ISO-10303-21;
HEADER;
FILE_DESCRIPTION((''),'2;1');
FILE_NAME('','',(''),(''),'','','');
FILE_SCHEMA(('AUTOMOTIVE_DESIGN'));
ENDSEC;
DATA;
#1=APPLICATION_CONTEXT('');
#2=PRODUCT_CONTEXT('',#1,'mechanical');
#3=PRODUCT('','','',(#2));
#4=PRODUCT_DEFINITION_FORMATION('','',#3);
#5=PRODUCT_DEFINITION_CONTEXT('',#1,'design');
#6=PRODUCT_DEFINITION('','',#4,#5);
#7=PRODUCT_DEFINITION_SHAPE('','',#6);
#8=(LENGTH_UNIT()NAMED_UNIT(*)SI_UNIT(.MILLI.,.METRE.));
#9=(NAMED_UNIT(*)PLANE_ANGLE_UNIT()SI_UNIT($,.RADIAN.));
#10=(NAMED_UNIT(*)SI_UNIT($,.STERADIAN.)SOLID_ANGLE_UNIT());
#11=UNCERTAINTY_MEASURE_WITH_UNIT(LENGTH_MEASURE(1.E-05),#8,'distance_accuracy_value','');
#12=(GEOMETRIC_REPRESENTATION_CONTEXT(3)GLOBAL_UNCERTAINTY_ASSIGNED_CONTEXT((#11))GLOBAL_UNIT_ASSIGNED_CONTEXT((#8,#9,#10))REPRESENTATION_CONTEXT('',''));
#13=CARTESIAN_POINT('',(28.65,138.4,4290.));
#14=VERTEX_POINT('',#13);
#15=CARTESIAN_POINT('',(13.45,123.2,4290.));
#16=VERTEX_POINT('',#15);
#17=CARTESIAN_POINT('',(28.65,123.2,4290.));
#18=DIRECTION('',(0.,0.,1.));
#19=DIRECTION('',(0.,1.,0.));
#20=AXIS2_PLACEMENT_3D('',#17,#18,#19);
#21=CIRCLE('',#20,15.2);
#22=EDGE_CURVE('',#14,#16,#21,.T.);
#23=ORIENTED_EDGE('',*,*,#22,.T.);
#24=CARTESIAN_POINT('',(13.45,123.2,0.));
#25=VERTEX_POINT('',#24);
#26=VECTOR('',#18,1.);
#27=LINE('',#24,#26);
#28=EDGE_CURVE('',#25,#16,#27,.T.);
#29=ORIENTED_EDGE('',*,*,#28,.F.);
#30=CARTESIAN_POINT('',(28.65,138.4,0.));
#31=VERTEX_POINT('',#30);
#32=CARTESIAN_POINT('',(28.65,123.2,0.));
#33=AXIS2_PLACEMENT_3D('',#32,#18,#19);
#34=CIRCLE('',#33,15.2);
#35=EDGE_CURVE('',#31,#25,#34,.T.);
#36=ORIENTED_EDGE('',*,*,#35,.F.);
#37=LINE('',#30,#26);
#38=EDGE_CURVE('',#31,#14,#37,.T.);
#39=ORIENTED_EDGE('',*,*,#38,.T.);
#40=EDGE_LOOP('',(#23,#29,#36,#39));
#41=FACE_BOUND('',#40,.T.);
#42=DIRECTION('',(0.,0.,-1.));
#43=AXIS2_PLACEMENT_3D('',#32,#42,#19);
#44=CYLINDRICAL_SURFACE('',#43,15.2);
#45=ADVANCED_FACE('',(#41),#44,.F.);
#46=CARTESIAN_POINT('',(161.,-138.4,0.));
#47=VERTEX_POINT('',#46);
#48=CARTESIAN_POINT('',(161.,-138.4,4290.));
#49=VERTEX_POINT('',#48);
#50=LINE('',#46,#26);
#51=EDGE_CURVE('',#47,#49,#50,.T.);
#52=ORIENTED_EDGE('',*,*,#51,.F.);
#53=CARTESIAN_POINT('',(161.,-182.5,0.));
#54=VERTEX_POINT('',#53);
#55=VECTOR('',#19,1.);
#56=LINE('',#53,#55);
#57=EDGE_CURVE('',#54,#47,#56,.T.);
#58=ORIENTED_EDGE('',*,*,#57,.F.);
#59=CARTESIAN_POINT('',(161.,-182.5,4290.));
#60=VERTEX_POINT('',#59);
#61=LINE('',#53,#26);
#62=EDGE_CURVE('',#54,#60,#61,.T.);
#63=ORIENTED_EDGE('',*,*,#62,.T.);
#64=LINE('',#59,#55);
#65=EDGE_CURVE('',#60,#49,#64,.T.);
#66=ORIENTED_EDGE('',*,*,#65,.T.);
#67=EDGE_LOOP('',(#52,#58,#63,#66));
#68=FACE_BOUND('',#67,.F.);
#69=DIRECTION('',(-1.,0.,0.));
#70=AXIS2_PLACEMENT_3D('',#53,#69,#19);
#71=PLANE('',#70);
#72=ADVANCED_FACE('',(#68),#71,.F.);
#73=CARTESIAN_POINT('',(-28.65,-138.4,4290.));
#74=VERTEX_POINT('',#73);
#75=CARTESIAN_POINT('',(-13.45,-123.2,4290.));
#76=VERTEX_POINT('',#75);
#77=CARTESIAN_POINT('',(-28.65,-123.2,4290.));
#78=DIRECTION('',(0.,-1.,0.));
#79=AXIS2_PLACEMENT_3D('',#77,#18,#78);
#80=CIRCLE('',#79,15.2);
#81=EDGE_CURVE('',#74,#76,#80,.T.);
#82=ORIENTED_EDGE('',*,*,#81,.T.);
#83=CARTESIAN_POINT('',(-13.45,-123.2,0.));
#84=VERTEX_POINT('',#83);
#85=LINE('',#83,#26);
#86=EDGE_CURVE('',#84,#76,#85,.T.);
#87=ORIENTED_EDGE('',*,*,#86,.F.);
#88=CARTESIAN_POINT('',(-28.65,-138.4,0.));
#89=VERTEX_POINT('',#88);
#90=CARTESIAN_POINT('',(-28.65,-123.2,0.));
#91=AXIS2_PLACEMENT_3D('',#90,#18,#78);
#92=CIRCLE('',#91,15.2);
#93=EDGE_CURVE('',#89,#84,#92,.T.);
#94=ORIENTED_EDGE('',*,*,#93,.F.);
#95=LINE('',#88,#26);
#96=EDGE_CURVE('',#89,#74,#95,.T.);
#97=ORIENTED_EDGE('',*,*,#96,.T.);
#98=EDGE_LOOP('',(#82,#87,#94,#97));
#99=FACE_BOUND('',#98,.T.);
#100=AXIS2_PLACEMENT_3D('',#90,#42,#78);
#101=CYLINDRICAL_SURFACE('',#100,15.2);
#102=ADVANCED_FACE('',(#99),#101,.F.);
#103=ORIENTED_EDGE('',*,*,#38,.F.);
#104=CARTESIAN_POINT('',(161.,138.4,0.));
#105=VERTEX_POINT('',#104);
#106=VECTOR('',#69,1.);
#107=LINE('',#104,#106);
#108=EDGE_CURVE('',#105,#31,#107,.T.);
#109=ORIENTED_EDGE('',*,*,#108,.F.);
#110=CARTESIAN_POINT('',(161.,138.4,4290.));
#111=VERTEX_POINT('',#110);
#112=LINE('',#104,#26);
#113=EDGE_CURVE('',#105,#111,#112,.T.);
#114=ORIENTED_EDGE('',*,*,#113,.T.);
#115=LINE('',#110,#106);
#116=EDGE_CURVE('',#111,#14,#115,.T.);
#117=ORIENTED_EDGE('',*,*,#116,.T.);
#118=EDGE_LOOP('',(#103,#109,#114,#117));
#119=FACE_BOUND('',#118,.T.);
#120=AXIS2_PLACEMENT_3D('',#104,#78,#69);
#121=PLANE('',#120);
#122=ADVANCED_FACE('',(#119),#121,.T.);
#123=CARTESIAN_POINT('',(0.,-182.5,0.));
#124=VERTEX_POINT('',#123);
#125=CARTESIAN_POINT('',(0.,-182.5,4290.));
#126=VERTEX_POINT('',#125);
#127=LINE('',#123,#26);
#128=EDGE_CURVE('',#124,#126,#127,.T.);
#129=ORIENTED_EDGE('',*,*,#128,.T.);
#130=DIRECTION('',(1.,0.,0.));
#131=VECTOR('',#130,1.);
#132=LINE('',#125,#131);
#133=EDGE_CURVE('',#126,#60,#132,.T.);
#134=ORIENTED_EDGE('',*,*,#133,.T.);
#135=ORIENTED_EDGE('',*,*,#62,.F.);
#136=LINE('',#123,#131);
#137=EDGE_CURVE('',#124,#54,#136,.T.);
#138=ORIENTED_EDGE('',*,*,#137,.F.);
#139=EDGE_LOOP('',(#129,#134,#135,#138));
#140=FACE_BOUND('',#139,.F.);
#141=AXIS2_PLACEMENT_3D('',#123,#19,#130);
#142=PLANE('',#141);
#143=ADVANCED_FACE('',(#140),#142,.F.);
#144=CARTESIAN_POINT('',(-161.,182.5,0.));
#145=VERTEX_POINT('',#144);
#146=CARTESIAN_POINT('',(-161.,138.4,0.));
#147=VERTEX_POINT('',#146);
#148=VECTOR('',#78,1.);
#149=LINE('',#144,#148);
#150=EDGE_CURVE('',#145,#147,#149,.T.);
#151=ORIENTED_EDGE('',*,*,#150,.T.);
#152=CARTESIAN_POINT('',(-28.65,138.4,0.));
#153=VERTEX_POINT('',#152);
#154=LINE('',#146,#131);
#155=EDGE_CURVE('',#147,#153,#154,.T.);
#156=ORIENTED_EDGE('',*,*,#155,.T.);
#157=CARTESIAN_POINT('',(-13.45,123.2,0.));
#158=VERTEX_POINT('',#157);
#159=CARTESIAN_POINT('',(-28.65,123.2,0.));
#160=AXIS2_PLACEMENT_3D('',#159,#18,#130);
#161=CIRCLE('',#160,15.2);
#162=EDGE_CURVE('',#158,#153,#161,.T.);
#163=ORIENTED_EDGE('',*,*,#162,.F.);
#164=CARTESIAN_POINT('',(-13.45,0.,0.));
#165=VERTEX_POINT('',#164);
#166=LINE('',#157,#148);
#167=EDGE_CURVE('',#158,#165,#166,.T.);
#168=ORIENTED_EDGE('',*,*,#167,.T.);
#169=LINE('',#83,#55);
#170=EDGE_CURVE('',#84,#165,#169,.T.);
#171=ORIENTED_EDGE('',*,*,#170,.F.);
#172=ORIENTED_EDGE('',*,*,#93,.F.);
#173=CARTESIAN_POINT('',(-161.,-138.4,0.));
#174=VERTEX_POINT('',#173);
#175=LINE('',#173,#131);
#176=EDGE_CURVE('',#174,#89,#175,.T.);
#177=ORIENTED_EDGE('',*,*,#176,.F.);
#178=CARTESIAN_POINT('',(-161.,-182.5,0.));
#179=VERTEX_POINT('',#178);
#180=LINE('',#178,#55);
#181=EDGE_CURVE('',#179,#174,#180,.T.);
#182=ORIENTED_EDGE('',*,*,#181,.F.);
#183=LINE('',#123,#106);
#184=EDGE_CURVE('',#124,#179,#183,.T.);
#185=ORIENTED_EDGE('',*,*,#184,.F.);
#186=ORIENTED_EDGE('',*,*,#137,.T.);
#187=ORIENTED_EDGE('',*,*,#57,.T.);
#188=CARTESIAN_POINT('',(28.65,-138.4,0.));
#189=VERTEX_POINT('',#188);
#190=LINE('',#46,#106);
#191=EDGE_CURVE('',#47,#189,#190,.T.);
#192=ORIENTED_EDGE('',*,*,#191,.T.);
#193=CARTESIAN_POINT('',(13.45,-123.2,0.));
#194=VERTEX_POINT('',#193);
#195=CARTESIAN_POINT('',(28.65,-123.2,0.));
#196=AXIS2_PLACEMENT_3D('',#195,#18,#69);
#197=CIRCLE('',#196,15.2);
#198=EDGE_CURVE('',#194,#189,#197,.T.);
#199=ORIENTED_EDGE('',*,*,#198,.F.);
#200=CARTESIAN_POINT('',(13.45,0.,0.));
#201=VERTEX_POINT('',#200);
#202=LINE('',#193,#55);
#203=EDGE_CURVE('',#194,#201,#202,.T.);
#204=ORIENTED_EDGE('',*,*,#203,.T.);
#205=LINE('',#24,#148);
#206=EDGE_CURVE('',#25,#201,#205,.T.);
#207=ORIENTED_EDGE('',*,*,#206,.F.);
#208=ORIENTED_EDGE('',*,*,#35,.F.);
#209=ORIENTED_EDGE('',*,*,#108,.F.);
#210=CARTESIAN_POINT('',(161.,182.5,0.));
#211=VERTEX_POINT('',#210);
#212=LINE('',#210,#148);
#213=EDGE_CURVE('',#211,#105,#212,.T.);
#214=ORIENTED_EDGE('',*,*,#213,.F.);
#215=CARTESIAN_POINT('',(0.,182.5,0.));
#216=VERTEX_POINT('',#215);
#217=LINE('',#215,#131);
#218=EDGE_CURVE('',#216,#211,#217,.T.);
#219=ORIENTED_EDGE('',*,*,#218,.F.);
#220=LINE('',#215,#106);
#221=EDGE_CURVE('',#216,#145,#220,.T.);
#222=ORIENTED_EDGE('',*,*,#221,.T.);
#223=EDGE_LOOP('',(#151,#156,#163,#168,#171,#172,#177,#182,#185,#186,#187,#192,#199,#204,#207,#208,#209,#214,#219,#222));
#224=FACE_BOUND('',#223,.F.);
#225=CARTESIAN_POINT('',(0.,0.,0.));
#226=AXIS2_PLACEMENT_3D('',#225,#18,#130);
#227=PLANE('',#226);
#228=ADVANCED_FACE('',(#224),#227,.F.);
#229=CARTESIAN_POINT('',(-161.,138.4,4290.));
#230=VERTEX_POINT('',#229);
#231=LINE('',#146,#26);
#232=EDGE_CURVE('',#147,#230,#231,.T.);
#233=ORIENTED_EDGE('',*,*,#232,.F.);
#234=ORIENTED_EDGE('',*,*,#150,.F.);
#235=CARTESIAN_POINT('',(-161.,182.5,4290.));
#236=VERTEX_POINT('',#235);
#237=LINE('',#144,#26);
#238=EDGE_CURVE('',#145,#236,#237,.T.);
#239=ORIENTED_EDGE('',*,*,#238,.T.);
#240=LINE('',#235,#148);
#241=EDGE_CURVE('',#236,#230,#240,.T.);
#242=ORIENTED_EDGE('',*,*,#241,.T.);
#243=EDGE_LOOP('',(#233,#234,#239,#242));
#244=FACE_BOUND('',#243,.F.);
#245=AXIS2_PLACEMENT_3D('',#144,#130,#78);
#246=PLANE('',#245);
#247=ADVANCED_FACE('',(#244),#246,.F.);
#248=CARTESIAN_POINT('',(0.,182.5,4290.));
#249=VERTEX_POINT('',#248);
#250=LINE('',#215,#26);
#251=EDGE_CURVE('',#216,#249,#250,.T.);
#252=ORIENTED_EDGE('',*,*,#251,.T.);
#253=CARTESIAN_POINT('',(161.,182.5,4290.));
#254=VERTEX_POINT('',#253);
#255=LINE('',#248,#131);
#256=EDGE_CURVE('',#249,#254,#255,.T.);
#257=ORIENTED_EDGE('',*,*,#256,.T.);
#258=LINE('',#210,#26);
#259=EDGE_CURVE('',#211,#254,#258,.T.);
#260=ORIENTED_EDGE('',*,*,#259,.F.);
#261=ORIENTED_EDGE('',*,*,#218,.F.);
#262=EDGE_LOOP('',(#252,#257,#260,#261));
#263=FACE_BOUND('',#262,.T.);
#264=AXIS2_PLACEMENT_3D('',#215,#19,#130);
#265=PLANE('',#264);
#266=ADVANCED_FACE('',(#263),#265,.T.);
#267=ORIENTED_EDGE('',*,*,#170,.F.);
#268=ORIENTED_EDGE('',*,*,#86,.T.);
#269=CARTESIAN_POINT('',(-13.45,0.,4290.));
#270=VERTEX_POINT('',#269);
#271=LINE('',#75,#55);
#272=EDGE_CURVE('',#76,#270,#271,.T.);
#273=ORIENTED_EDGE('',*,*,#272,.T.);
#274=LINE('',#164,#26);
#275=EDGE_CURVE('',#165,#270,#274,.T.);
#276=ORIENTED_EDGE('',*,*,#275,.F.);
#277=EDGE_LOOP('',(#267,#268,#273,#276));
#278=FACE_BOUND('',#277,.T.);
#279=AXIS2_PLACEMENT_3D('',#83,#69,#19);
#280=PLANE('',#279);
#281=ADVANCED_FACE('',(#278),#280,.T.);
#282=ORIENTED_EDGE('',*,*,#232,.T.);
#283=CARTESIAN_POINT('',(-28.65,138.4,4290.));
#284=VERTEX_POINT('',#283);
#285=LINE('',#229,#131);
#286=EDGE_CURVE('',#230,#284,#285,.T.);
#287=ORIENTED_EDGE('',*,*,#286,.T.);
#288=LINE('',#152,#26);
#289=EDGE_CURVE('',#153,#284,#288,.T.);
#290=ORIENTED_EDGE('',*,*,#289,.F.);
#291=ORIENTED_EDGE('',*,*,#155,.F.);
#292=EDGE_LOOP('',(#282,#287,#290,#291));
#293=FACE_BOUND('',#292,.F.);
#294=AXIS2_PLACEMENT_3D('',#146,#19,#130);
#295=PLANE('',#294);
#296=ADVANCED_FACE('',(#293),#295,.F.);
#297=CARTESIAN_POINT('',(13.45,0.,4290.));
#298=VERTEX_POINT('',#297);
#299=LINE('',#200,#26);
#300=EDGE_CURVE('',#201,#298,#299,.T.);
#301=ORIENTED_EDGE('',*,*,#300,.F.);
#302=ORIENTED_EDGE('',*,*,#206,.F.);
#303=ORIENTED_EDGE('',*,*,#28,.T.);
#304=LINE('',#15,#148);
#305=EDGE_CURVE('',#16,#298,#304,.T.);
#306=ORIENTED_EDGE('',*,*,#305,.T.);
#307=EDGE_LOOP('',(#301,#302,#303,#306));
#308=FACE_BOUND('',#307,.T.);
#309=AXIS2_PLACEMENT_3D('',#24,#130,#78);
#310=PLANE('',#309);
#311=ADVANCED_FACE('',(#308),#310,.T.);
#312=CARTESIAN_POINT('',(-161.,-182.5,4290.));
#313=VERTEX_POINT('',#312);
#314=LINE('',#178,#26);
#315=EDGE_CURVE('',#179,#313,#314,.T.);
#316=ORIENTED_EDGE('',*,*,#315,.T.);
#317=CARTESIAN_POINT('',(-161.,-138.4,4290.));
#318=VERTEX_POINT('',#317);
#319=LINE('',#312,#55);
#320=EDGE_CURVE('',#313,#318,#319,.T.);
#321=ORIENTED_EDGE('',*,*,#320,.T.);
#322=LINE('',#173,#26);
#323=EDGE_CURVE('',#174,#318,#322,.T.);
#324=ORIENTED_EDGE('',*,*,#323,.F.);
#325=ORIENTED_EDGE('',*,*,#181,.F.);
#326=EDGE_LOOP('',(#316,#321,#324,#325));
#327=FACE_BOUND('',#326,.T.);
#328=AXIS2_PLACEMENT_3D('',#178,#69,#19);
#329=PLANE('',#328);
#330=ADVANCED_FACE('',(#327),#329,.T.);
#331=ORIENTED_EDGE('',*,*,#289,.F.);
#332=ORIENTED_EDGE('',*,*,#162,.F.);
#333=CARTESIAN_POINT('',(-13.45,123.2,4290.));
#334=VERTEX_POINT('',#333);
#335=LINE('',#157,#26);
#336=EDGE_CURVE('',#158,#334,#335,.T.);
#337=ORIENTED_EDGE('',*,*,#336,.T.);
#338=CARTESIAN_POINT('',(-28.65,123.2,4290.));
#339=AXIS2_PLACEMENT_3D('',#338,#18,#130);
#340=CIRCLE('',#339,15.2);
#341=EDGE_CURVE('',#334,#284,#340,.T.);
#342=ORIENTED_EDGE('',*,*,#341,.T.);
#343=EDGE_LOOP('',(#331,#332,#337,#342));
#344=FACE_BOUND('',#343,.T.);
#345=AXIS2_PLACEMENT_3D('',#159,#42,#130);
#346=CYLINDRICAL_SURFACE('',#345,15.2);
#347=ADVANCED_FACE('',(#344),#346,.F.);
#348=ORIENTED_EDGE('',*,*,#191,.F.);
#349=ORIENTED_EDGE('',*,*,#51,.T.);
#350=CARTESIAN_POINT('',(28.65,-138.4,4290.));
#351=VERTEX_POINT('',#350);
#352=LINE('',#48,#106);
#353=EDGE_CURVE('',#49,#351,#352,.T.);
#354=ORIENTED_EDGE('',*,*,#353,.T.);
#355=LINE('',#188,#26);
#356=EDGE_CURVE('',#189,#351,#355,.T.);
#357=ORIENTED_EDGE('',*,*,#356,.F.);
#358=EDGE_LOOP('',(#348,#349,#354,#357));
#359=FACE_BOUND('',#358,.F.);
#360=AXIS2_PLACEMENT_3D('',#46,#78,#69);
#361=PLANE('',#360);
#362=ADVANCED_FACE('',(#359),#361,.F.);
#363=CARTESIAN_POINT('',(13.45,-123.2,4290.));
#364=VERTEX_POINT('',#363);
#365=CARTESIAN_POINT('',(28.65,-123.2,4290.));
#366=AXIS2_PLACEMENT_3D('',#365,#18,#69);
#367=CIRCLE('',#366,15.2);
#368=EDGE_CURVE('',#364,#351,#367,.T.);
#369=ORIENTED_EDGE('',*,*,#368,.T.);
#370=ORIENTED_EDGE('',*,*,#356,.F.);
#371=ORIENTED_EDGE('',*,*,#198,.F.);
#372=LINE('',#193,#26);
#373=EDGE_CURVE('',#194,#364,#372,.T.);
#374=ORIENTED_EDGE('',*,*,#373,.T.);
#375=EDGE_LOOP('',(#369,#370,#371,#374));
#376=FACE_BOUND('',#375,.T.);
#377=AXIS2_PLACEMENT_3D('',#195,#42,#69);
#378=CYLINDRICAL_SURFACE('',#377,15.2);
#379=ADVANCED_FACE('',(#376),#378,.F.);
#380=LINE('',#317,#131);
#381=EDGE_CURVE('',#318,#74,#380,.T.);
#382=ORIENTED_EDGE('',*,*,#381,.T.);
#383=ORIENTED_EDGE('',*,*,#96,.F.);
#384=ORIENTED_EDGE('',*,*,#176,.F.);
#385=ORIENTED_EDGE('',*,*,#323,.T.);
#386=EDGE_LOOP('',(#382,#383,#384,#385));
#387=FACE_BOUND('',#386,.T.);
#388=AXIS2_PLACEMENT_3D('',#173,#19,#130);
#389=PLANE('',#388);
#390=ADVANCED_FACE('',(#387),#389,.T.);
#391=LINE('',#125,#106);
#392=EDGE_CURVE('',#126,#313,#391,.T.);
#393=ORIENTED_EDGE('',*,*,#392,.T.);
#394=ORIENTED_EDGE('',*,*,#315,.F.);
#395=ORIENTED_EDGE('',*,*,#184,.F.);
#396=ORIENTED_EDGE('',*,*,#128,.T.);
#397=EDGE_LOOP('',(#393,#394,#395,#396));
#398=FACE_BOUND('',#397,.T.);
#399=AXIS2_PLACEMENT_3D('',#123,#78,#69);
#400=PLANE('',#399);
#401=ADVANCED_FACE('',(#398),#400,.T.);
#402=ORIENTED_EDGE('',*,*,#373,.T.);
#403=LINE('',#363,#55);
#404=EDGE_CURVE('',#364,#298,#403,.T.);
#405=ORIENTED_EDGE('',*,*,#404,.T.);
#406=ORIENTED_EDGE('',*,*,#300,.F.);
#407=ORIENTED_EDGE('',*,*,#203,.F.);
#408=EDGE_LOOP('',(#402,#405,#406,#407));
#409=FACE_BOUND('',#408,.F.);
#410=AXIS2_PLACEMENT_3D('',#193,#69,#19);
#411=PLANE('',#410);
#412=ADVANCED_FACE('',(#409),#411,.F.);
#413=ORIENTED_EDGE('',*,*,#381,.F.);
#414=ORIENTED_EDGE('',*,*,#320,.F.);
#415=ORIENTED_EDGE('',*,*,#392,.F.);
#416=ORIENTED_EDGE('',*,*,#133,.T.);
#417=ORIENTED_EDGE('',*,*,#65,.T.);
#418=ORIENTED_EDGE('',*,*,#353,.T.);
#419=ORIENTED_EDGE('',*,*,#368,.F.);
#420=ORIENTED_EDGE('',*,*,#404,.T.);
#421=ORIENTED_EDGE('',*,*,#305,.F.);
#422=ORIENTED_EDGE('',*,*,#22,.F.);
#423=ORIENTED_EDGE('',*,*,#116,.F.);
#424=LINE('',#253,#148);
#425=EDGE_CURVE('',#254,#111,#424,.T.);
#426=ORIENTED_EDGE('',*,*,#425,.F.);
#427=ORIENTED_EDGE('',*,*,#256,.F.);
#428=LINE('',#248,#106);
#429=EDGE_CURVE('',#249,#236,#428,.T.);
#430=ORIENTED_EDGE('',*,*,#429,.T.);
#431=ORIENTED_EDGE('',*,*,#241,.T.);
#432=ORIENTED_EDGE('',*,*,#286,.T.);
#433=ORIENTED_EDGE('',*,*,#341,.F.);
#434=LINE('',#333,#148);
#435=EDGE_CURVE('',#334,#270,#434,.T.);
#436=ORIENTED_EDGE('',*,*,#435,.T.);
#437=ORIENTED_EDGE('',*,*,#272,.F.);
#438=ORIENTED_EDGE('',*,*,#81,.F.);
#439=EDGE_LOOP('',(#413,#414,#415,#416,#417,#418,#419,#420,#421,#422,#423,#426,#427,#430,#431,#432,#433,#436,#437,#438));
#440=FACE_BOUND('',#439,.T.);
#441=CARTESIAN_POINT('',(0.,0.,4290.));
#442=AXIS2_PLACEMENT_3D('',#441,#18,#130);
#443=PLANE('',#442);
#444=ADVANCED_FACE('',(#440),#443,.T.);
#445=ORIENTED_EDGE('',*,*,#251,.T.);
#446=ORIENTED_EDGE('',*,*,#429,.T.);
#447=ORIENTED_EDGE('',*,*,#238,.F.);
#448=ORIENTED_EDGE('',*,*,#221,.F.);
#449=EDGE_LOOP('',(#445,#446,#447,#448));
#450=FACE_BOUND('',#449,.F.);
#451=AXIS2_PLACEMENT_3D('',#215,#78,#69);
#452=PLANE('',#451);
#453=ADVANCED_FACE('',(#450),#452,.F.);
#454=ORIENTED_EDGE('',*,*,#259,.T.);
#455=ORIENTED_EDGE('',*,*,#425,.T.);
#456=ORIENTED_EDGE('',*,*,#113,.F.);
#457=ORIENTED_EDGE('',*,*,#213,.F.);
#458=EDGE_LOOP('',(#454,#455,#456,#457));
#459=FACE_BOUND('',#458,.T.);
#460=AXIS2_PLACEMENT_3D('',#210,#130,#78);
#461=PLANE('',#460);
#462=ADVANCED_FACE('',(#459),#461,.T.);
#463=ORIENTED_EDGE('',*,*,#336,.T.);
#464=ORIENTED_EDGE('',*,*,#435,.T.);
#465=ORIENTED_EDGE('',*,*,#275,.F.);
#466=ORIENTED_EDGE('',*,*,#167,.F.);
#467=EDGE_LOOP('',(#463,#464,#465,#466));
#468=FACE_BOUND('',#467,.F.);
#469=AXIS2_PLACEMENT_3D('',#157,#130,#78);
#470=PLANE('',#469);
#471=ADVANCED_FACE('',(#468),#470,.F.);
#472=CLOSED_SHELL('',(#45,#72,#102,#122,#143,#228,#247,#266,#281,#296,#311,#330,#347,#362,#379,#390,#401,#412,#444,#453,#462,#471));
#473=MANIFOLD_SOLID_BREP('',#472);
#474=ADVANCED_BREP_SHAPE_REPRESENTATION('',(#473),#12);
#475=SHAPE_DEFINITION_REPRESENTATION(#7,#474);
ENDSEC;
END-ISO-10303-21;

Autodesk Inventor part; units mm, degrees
ref_plane "YZ Plane" through (0, 0, 0) normal (1, 0, 0) x (0, 1, 0)
ref_plane "Start plane" through (0, 0, 0) normal (0, 0, 1) x (1, 0, 0)
ref_plane "End plane" through (0, 0, 4290) normal (0, 0, 1) x (1, 0, 0)
sketch "Sketch" plane through (0, 0, 0) normal (0, 0, 1) x (1, 0, 0)
  line L0 (-161, -182.5) -> (-161, -138.4)
  line L1 (-161, -138.4) -> (-28.65, -138.4)
  line L2 (-13.45, -123.2) -> (-13.45, 0)
  line L3 (-13.45, 0) -> (0, 0) construction
  line L4 (0, 0) -> (0, -182.5) construction
  line L5 (0, -182.5) -> (-161, -182.5)
  line L6 (-60, 0) -> (80, 0) construction
  line L7 (0, -60) -> (0, 80) construction
  line L8 (161, -182.5) -> (161, -138.4)
  line L9 (161, -138.4) -> (28.65, -138.4)
  line L10 (13.45, -123.2) -> (13.45, 0)
  line L11 (13.45, 0) -> (0, 0) construction
  line L12 (0, -182.5) -> (161, -182.5)
  line L13 (-161, 182.5) -> (-161, 138.4)
  line L14 (-161, 138.4) -> (-28.65, 138.4)
  line L15 (-13.45, 123.2) -> (-13.45, 0)
  line L16 (0, 182.5) -> (-161, 182.5)
  line L17 (161, 182.5) -> (161, 138.4)
  line L18 (161, 138.4) -> (28.65, 138.4)
  line L19 (0, 182.5) -> (161, 182.5)
  line L20 (13.45, 123.2) -> (13.45, 0)
  arc A0 (-13.45, 123.2) -> (-28.65, 138.4) centre (-28.65, 123.2) ccw
  arc A1 (28.65, 138.4) -> (13.45, 123.2) centre (28.65, 123.2) ccw
  arc A2 (13.45, -123.2) -> (28.65, -138.4) centre (28.65, -123.2) ccw
  arc A3 (-28.65, -138.4) -> (-13.45, -123.2) centre (-28.65, -123.2) ccw
  line L21 (0, 108) -> (0, -88) construction
  line L22 (-88, 0) -> (108, 0) construction
  point P0 (-13.45, -138.4)
  point P1 (13.45, -138.4)
  point P2 (-13.45, 138.4)
  point P3 (13.45, 138.4)
  dimension "d1" = 182.5
  dimension "d2" = 44.1
  dimension "d3" = 161
  dimension "d4" = 13.45
  dimension "d10" = 15.2
extrude "Body" add sketch "Sketch" along normal up to surface (4290 mm away) from surface at 0
sketch "Sketch4" plane through (0, 0, 0) normal (0, 0, 1) x (1, 0, 0)
  line L0 (0, 0) -> (10, 0)
ref_plane "Work Plane3" through (0, 0, 0) normal (0, -1, 0) x (1, 0, 0)
sketch "Sketch5" plane through (0, 0, 0) normal (0, -1, 0) x (1, 0, 0)
  line L0 (-2, 0) -> (12, 0) projected
  line L1 (-2, 4290) -> (12, 4290) projected
  dimension "d14" = 4290
equation "\"d1\" = 0.5 * G_H"
equation "\"d2\" = G_T1"
equation "\"d3\" = 0.5 * G_W"
equation "\"d4\" = 0.5 * G_T"
equation "\"d10\" = G_IR"
equation "\"d5\" = G_L"
equation "\"G_W\" = 322"
equation "\"G_H\" = 365"
equation "\"G_T\" = 26.9"
equation "\"G_T1\" = 44.1"
equation "\"G_IR\" = 15.2"
equation "\"G_L\" = d14"
equation "\"G_OFFSET_START\" = 0"
equation "\"G_OFFSET_END\" = 0"
properties part number "AS 3679 - 310 UC - 283 - 4290" material "Steel, Mild"
